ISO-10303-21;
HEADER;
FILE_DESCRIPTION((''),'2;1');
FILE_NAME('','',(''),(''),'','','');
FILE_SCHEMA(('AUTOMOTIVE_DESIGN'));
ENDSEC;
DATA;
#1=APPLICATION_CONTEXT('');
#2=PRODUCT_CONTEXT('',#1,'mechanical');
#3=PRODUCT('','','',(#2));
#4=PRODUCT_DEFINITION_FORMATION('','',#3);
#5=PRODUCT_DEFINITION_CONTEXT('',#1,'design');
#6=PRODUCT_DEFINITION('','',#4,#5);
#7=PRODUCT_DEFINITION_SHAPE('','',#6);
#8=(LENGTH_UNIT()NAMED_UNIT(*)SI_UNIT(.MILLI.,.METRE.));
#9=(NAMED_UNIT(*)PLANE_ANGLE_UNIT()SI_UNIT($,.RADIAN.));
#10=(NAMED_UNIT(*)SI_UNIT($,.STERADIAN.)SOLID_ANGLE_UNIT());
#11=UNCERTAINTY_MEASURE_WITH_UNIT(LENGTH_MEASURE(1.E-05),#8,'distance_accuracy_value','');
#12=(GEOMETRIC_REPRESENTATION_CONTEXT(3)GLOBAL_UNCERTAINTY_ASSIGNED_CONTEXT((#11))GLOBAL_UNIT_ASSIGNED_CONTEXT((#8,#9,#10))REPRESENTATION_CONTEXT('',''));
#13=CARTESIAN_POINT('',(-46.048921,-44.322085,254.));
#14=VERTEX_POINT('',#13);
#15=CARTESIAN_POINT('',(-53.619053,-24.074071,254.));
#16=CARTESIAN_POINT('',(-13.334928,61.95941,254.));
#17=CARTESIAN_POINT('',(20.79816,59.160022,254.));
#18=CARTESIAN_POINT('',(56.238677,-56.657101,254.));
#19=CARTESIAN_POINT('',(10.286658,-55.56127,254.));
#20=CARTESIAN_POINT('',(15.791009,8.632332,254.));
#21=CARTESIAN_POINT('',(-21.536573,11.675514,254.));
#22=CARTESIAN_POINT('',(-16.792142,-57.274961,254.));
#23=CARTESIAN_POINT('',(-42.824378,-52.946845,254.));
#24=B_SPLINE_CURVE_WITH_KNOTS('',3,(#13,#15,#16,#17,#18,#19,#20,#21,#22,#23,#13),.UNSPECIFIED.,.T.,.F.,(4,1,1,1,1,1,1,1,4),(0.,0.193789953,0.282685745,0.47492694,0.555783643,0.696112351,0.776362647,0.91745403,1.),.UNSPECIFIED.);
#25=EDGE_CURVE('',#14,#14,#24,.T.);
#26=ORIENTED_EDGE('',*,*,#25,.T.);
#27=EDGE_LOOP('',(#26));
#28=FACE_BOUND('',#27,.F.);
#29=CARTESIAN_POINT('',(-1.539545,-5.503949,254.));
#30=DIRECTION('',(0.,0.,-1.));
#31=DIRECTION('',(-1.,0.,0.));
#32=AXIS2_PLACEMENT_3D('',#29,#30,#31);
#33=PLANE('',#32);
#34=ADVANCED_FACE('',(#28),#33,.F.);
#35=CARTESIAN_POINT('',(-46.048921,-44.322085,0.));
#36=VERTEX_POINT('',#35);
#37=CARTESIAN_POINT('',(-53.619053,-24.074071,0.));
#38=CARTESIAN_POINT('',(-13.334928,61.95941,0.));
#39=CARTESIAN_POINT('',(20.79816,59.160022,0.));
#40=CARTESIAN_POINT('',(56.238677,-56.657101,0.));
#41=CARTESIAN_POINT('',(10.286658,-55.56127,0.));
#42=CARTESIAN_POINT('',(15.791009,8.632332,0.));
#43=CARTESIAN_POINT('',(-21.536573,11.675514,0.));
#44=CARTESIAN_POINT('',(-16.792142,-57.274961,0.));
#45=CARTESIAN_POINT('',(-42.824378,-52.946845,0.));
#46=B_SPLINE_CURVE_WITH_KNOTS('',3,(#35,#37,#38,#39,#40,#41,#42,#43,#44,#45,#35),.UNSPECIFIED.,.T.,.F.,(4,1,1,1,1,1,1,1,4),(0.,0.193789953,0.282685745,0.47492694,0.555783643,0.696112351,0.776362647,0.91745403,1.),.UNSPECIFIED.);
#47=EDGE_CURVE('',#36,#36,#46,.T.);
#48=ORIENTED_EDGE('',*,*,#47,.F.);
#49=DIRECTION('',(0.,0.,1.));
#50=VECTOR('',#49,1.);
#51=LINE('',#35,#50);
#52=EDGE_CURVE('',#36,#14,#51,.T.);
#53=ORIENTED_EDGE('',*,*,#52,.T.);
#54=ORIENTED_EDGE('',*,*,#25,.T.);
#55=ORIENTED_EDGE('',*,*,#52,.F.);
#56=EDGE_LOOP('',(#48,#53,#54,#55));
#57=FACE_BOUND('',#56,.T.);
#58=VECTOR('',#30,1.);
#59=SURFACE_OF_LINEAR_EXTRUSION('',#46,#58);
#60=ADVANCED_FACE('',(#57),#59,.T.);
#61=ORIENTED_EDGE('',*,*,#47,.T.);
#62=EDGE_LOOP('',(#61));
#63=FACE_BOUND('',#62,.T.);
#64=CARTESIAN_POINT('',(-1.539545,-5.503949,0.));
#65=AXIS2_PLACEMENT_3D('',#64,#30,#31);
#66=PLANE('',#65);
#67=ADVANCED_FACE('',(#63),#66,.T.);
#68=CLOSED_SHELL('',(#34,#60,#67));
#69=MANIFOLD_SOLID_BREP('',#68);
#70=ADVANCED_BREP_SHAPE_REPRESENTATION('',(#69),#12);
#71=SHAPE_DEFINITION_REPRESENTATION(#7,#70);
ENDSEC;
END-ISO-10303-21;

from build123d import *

# Parameters (mm, degrees)
F1_DEPTH = 254


with BuildPart() as f1:
    # F0 (on Top) → F1 (new body)
    with BuildSketch(Plane.XY):
        with BuildLine():
            add(Edge.make_bspline(
                [(-46.0489206016, -44.3220846355), (-53.6190527417, -24.0740705935), (-13.3349283287, 61.959410253), (20.7981598195, 59.1600215024), (56.2386765362, -56.6571011121), (10.2866577184, -55.5612704677), (15.7910091072, 8.6323321741), (-21.5365728665, 11.6755141378), (-16.7921419859, -57.2749613529), (-42.8243782899, -52.9468453131), (-46.0489206016, -44.3220846355)],
                knots=[0, 0, 0, 0, 0.193789953, 0.2826857454, 0.4749269404, 0.5557836432, 0.6961123515, 0.7763626468, 0.9174540297, 1, 1, 1, 1], degree=3))
        make_face()
    extrude(amount=F1_DEPTH)


solid = f1.part
